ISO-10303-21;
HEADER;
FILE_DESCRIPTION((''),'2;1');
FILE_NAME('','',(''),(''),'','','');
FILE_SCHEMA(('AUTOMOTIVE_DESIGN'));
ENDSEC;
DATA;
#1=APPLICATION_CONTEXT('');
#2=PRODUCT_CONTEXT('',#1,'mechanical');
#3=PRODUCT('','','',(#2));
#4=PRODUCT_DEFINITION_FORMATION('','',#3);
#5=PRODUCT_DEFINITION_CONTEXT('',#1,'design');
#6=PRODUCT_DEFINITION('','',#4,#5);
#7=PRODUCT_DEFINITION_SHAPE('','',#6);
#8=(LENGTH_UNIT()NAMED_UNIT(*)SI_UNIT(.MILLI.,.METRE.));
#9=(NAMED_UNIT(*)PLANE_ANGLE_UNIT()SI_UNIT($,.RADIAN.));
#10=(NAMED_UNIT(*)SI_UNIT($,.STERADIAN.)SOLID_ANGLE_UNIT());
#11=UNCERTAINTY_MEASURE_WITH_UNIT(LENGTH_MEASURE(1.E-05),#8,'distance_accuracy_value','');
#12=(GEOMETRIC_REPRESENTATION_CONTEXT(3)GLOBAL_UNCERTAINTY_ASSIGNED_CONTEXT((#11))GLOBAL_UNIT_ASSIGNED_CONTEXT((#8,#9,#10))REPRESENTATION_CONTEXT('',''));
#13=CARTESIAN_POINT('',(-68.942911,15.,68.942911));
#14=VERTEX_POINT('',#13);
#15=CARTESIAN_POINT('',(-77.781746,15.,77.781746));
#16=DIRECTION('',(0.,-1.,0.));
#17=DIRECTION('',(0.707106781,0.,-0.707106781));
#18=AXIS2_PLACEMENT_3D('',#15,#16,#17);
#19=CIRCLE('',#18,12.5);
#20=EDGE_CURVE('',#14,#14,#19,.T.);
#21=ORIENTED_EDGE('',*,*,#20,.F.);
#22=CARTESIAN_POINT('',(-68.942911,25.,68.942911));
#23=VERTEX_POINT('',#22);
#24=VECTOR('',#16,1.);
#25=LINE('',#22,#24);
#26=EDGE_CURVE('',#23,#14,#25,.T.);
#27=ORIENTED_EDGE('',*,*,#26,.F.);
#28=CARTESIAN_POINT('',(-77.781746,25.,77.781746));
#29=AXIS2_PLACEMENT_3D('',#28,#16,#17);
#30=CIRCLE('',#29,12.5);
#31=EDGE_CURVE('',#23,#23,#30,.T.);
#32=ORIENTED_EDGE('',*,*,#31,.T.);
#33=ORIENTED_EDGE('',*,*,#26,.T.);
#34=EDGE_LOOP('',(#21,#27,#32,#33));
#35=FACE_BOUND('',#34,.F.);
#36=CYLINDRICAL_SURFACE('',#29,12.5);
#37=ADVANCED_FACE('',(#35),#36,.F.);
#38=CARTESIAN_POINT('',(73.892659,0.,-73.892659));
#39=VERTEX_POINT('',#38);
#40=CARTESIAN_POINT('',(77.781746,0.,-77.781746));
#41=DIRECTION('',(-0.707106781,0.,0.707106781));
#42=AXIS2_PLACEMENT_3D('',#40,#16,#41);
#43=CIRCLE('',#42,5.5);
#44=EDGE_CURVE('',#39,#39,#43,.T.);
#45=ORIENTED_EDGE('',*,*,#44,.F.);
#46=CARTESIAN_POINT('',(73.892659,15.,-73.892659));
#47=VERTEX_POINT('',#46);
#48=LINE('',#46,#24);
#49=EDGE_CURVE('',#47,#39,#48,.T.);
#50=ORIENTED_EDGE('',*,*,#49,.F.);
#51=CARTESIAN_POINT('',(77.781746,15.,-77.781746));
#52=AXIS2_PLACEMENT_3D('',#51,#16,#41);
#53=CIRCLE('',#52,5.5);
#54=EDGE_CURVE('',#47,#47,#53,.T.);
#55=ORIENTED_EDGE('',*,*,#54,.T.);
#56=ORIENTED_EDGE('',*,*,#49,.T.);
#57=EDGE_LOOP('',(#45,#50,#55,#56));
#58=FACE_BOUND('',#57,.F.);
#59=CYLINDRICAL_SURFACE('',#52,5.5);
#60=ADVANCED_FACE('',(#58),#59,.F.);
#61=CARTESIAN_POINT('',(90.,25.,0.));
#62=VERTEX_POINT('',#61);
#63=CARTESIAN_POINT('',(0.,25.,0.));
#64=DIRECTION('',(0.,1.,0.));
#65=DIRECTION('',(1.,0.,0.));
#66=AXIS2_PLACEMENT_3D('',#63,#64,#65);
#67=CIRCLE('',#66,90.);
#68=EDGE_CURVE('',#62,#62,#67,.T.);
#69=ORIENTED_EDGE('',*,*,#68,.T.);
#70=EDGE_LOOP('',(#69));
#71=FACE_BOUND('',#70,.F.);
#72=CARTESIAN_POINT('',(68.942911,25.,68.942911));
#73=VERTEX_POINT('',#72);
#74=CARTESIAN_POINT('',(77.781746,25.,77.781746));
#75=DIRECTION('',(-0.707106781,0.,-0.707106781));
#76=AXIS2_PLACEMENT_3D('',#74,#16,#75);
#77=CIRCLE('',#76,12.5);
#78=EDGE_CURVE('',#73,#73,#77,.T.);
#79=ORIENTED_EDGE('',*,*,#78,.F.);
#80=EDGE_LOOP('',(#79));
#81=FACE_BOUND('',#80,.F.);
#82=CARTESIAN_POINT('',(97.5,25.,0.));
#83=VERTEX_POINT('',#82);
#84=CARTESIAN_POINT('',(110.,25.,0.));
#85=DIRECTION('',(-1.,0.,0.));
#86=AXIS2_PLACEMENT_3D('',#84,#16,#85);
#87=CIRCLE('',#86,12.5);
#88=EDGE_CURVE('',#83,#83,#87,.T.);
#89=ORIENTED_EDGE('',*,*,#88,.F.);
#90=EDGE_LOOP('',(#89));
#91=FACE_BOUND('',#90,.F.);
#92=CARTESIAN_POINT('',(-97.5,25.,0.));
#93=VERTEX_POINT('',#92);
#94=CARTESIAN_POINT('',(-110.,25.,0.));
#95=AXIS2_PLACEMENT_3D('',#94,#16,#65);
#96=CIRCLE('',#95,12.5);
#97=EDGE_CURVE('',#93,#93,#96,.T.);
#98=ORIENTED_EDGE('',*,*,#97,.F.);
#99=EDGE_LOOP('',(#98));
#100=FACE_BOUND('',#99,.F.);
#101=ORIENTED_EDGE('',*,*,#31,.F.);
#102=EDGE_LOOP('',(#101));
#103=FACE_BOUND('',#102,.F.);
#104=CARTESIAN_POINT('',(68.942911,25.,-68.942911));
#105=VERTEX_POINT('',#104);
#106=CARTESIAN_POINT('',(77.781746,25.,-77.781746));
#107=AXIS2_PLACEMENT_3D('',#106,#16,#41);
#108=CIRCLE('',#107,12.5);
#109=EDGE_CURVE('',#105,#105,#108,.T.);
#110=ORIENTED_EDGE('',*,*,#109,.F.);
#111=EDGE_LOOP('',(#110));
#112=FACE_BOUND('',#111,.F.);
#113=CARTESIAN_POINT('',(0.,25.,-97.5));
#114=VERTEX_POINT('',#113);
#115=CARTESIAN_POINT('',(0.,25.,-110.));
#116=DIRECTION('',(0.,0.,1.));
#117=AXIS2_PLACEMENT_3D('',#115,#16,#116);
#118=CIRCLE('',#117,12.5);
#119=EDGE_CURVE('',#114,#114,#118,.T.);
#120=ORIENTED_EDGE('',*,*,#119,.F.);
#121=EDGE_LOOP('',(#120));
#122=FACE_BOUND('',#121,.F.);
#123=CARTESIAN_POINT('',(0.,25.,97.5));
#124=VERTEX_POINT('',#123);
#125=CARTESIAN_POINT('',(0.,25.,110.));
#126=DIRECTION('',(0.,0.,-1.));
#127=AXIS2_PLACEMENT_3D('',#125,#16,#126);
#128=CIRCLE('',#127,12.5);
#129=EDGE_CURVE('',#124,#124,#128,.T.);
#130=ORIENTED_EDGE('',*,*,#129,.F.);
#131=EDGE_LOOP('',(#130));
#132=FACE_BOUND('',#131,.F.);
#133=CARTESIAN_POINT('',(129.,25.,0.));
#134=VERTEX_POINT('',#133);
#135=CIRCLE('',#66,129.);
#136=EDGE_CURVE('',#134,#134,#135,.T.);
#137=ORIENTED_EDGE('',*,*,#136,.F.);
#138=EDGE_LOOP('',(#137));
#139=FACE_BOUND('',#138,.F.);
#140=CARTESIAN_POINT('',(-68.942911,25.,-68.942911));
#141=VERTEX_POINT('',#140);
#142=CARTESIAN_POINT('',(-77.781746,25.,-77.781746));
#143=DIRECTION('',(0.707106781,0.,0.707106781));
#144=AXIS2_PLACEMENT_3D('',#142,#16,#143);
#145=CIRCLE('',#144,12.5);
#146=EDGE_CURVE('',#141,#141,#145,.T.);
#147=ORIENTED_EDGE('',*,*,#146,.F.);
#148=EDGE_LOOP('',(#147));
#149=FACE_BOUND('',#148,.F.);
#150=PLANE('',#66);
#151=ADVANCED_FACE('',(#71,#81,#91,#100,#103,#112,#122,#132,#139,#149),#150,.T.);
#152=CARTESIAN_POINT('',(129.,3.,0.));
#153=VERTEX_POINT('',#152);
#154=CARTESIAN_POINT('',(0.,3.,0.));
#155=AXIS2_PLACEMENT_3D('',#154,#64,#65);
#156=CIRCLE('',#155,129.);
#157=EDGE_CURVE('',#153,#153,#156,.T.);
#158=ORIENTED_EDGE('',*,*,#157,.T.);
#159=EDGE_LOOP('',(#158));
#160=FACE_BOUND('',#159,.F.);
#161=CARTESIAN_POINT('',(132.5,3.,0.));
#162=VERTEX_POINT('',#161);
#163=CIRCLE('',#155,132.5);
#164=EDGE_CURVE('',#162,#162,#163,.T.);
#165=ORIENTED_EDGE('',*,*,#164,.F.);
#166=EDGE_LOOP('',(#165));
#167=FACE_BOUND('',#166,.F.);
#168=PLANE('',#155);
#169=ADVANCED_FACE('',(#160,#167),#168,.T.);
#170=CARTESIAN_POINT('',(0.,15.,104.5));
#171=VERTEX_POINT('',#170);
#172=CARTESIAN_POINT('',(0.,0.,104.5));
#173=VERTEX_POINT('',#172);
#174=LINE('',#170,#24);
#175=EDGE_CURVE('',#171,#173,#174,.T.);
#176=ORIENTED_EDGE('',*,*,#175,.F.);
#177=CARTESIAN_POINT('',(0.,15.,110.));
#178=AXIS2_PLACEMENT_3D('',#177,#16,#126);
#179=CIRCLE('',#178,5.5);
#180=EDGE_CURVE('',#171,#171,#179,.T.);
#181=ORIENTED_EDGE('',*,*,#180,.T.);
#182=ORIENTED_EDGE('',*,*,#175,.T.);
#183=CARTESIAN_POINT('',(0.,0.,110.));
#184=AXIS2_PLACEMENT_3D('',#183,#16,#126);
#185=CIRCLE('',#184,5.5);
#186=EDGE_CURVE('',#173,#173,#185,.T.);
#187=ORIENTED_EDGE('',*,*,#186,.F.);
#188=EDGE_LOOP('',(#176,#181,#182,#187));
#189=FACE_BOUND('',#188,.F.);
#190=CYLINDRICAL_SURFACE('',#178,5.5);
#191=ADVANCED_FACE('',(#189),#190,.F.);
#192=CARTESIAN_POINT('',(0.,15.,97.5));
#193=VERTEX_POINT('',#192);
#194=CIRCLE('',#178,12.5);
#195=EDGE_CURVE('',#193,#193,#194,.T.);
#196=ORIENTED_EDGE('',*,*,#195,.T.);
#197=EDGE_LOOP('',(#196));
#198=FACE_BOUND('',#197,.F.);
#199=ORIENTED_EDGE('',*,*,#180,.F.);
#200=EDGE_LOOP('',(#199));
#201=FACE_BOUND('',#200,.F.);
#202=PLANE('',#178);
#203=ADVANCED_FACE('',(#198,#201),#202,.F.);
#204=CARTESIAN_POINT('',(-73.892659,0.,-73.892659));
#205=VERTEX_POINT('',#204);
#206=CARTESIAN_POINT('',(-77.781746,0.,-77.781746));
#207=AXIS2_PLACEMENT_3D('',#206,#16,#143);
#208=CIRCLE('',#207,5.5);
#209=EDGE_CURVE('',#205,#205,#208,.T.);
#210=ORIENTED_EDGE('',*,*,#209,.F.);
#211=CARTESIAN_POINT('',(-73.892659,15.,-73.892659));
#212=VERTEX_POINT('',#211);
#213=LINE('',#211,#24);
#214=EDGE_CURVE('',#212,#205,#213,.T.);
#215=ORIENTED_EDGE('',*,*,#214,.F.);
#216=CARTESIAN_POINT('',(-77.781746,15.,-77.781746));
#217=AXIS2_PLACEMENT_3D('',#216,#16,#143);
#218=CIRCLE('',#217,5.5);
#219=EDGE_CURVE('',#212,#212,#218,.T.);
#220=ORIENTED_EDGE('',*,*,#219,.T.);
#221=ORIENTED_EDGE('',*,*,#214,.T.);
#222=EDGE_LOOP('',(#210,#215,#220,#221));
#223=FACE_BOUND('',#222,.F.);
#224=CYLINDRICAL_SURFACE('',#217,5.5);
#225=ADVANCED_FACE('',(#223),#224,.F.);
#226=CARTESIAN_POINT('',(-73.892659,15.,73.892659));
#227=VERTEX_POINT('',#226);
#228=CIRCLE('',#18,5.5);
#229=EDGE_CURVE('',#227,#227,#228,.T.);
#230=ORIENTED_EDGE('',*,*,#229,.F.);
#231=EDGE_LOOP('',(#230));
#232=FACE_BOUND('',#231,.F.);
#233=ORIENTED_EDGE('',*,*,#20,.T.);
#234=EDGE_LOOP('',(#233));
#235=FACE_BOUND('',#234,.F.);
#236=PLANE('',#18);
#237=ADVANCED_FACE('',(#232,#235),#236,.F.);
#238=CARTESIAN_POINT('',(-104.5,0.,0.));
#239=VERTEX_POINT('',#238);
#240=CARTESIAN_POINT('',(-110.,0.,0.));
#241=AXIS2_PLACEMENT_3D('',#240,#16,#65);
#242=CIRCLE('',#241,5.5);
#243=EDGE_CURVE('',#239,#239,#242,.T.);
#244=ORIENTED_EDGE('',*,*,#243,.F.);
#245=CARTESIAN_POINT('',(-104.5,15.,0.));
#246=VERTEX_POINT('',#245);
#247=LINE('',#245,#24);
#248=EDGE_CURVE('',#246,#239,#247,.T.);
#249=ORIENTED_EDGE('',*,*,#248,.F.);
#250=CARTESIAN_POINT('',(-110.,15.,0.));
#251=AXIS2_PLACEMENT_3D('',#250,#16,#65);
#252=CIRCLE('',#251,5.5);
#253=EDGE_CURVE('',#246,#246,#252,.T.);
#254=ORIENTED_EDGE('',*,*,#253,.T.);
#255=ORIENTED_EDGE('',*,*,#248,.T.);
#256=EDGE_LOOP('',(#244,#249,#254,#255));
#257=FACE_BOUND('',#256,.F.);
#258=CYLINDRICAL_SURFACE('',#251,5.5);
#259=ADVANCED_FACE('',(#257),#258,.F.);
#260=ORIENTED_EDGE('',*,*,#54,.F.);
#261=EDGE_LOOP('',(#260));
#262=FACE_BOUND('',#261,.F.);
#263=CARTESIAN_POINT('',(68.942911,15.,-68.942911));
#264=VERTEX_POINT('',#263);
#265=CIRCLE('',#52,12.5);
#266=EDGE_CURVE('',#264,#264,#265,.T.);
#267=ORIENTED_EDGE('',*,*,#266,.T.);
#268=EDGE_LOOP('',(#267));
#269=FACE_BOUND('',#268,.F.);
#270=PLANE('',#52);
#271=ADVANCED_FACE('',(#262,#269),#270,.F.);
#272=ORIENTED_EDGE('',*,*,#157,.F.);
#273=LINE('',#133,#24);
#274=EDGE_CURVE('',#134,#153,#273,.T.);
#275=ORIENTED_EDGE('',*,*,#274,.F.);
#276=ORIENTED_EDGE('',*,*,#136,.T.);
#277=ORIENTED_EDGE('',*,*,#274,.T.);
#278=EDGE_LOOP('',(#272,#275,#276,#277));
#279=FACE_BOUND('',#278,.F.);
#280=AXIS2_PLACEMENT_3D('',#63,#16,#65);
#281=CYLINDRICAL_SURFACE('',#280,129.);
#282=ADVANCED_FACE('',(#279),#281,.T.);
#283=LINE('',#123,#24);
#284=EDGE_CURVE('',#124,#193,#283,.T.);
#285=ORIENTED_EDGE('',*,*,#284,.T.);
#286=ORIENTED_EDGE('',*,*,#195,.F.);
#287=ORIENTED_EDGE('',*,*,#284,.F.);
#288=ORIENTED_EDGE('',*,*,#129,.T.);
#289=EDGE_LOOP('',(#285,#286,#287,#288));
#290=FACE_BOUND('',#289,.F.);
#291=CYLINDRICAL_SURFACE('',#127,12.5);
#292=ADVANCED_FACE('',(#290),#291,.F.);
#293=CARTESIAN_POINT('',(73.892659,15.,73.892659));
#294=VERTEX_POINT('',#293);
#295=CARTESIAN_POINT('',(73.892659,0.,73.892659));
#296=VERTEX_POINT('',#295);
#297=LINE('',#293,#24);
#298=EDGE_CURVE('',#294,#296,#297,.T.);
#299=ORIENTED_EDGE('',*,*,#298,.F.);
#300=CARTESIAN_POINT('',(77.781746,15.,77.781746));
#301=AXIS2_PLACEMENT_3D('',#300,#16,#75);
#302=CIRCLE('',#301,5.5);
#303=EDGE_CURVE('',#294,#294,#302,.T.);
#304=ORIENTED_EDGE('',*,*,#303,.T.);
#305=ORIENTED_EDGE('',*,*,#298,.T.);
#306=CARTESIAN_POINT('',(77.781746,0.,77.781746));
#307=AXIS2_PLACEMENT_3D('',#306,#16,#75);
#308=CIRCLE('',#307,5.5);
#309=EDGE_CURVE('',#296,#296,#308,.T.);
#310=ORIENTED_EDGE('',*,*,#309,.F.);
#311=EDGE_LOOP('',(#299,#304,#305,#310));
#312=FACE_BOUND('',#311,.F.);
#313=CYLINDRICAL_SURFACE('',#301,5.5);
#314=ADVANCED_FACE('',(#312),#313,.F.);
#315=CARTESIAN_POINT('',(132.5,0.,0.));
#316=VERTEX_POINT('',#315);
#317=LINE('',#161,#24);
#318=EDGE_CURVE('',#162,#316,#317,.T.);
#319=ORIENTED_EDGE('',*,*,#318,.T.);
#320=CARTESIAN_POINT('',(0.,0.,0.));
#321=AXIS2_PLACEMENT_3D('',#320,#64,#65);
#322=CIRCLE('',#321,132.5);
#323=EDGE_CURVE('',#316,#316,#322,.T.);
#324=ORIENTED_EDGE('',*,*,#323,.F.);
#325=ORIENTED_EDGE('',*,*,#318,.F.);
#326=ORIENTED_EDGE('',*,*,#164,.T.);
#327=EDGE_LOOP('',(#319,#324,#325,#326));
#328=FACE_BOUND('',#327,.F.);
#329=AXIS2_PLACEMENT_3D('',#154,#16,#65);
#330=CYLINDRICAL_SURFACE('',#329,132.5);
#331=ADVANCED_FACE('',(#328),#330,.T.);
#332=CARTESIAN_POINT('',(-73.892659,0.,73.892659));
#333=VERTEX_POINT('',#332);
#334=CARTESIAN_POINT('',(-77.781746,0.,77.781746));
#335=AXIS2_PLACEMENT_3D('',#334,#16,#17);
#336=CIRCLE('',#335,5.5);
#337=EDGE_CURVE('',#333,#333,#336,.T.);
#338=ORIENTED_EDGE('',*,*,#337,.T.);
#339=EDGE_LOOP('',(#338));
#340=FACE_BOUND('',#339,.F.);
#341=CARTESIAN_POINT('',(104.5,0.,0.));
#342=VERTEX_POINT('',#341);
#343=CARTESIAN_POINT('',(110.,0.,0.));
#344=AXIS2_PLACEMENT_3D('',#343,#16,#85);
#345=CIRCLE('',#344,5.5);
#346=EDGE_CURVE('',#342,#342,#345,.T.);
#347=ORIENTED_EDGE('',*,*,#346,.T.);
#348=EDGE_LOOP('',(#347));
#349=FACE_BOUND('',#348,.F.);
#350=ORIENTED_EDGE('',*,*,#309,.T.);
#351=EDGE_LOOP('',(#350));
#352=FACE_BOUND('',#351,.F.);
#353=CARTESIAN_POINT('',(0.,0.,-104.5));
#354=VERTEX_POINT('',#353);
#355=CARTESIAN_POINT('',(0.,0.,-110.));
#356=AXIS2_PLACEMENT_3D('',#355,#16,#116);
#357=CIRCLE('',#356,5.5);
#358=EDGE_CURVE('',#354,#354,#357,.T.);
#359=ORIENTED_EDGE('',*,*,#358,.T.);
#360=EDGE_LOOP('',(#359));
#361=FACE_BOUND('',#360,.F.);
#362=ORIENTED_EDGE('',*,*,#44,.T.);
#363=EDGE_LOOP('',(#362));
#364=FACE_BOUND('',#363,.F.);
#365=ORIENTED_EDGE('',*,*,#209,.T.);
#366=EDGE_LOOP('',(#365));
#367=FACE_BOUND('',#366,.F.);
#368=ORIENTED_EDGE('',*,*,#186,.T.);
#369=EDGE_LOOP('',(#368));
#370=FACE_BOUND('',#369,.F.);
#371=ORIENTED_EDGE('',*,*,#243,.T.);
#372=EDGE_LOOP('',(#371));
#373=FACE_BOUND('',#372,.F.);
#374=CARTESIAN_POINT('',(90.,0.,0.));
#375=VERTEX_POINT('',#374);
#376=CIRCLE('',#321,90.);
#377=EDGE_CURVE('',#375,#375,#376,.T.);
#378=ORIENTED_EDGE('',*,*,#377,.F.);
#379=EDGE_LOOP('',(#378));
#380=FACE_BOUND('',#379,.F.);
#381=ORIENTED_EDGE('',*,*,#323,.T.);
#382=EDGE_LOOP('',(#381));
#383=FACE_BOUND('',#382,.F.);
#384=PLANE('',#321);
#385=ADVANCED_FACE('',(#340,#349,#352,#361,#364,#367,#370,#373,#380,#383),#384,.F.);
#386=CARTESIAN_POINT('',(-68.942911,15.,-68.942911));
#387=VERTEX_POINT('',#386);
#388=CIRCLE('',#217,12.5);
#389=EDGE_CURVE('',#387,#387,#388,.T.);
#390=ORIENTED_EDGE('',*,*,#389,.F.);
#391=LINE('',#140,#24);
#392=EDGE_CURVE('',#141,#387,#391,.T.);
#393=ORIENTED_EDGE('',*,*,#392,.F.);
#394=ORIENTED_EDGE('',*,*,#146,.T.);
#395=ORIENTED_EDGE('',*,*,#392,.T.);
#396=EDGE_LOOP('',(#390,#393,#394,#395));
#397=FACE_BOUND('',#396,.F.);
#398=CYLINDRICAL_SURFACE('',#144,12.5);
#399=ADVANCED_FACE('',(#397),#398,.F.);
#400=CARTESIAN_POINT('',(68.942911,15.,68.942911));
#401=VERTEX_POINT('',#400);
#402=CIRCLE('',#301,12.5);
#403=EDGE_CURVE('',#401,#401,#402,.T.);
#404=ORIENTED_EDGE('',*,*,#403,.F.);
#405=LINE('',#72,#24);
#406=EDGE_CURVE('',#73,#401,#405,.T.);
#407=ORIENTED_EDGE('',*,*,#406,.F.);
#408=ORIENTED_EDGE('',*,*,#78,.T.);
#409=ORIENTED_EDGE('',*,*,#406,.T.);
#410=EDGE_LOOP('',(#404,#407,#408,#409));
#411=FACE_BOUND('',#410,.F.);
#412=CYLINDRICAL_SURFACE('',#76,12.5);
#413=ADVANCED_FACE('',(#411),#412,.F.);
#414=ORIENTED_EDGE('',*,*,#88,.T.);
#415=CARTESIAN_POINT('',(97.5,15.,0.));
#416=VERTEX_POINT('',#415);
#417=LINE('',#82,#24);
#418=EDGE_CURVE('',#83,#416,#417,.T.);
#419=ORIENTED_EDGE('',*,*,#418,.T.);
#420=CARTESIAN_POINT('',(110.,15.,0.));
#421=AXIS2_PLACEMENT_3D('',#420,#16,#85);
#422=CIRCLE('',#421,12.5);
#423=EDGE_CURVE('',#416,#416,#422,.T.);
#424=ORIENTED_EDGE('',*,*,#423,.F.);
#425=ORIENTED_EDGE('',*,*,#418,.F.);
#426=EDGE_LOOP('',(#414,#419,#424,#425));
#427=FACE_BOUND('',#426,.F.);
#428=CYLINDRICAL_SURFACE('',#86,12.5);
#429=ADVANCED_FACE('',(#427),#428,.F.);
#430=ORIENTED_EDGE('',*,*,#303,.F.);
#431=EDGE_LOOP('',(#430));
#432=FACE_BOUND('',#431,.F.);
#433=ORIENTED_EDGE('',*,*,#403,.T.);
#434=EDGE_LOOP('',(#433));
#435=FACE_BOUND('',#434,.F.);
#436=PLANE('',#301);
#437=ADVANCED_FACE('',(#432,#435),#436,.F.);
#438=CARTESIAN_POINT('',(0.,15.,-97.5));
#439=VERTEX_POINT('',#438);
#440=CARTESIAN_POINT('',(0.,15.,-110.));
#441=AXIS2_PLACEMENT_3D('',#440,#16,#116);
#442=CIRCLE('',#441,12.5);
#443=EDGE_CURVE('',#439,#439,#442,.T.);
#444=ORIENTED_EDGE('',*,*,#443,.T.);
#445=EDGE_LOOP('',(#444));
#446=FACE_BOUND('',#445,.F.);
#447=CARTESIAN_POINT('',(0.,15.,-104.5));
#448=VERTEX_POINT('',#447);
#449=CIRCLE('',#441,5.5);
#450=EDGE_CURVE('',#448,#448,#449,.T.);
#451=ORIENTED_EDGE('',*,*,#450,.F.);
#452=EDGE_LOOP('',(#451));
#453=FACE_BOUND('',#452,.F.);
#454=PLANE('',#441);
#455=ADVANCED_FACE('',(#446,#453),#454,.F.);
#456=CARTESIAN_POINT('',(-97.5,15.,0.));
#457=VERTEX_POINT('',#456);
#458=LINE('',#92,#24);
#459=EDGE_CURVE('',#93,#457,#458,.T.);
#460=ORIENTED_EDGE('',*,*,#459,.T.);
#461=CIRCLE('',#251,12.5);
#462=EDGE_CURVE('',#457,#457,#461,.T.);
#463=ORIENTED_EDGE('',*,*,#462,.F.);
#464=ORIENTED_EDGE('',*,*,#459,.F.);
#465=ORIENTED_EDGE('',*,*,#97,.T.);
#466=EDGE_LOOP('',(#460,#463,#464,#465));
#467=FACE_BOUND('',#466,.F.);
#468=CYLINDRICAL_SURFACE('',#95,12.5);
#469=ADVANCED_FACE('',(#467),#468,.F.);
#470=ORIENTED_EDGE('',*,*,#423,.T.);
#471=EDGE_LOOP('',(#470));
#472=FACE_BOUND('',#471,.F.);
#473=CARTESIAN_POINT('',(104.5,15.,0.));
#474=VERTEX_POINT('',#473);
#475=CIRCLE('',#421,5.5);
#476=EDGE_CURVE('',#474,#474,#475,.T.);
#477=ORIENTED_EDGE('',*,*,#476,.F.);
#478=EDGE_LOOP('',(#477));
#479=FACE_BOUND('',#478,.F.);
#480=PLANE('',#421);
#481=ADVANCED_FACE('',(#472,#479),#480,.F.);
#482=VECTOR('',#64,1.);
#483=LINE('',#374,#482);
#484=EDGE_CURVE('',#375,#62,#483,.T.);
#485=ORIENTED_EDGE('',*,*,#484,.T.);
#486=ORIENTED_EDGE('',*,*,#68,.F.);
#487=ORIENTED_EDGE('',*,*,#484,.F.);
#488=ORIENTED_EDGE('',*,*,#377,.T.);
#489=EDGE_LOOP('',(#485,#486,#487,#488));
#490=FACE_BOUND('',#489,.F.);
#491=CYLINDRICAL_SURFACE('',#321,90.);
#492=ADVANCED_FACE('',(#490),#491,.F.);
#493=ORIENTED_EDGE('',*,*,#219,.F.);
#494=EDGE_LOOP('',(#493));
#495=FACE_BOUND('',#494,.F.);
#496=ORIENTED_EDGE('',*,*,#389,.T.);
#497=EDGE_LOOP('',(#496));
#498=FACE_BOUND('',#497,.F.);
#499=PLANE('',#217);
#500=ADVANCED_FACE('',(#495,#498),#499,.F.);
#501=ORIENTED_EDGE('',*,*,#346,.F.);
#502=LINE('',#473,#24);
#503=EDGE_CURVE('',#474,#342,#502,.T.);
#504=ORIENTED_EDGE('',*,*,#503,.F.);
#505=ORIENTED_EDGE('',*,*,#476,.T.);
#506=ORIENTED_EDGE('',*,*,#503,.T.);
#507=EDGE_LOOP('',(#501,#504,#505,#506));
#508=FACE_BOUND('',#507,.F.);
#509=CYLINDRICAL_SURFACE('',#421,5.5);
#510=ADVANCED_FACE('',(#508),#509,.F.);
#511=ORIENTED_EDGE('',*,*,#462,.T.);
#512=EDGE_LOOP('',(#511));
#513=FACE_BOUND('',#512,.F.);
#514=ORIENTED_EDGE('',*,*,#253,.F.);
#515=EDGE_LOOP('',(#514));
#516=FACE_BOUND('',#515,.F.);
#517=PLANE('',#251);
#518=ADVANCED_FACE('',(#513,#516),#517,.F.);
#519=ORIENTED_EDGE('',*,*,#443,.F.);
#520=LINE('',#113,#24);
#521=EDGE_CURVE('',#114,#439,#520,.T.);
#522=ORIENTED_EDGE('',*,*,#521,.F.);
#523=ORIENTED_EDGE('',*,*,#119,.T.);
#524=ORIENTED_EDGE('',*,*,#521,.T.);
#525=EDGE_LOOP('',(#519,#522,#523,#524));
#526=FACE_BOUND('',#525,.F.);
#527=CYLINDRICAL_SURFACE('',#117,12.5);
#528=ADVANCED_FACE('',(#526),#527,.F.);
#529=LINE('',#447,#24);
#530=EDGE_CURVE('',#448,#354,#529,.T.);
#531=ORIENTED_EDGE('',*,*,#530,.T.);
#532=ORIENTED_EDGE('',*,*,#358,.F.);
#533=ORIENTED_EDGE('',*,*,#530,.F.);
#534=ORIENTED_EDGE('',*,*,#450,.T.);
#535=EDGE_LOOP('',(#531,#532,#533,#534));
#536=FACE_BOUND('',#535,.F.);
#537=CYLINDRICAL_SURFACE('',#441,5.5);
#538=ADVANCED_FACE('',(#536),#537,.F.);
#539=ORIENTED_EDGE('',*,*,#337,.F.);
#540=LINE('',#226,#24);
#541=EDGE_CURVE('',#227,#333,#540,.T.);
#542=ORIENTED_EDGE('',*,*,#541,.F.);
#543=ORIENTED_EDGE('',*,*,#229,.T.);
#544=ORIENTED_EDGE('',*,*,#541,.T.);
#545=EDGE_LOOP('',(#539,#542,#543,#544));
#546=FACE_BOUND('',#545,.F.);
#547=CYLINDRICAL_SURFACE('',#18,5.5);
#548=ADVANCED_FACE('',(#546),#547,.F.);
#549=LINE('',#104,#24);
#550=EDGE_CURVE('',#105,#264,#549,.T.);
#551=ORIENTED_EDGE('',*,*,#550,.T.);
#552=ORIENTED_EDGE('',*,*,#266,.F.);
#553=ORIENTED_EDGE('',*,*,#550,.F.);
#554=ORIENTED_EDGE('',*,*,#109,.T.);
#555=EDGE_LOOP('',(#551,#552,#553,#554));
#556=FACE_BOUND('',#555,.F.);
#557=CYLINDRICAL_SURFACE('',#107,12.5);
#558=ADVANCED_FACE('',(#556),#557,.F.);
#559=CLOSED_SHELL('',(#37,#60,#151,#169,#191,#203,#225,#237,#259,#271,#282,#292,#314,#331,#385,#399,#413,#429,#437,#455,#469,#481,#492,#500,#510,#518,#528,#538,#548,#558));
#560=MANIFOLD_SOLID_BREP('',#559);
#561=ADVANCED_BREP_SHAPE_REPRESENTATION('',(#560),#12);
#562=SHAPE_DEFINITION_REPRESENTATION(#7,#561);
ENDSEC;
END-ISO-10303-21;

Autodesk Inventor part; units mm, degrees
ref_plane "YZ Plane" through (0, 0, 0) normal (1, 0, 0) x (0, 1, 0)
ref_plane "XZ Plane" through (0, 0, 0) normal (0, 1, 0) x (-1, 0, 0)
ref_plane "XY Plane" through (0, 0, 0) normal (0, 0, 1) x (1, 0, 0)
sketch "Sketch6" plane through (0, 0, 0) normal (0, 0, 1) x (1, 0, 0)
  line L0 (90, 0) -> (90, 25)
  line L1 (90, 25) -> (129, 25)
  line L2 (129, 25) -> (129, 3)
  line L3 (129, 3) -> (132.5, 3)
  line L4 (132.5, 3) -> (132.5, 0)
  line L5 (132.5, 0) -> (90, 0)
  line L6 (0, 0) -> (0, 25)
  point P0 (0, 0)
  dimension "d27" = 180
  dimension "d28" = 258
  dimension "d29" = 265
  dimension "d30" = 3
  dimension "d31" = 25
revolve "Revolution1" add sketch "Sketch6" angle 360 about axis through (0, 0, 0) along (0, 1, 0)
sketch "Sketch7" plane through (0, 25, 0) normal (0, 1, 0) x (1, 0, 0)
  circle A0 centre (0, 0) radius 110
  point P0 (0, 110)
  dimension "d33" = 220
hole "Hole2" at (0, 25, -110) direction (0, -1, 0) diameter 11 end through all counterbore diameter 25 counterbore depth 10
pattern_circular "Circular Pattern3" count 8 over 360 about axis through (0, -10, 0) along (0, 1, 0) of "Hole2"
equation "\"d39\" = Thickness"
equation "\"Thickness\" = 40"
properties part number "DMF 01 31 Барабан Опорное кольцо НОС v2.1"
